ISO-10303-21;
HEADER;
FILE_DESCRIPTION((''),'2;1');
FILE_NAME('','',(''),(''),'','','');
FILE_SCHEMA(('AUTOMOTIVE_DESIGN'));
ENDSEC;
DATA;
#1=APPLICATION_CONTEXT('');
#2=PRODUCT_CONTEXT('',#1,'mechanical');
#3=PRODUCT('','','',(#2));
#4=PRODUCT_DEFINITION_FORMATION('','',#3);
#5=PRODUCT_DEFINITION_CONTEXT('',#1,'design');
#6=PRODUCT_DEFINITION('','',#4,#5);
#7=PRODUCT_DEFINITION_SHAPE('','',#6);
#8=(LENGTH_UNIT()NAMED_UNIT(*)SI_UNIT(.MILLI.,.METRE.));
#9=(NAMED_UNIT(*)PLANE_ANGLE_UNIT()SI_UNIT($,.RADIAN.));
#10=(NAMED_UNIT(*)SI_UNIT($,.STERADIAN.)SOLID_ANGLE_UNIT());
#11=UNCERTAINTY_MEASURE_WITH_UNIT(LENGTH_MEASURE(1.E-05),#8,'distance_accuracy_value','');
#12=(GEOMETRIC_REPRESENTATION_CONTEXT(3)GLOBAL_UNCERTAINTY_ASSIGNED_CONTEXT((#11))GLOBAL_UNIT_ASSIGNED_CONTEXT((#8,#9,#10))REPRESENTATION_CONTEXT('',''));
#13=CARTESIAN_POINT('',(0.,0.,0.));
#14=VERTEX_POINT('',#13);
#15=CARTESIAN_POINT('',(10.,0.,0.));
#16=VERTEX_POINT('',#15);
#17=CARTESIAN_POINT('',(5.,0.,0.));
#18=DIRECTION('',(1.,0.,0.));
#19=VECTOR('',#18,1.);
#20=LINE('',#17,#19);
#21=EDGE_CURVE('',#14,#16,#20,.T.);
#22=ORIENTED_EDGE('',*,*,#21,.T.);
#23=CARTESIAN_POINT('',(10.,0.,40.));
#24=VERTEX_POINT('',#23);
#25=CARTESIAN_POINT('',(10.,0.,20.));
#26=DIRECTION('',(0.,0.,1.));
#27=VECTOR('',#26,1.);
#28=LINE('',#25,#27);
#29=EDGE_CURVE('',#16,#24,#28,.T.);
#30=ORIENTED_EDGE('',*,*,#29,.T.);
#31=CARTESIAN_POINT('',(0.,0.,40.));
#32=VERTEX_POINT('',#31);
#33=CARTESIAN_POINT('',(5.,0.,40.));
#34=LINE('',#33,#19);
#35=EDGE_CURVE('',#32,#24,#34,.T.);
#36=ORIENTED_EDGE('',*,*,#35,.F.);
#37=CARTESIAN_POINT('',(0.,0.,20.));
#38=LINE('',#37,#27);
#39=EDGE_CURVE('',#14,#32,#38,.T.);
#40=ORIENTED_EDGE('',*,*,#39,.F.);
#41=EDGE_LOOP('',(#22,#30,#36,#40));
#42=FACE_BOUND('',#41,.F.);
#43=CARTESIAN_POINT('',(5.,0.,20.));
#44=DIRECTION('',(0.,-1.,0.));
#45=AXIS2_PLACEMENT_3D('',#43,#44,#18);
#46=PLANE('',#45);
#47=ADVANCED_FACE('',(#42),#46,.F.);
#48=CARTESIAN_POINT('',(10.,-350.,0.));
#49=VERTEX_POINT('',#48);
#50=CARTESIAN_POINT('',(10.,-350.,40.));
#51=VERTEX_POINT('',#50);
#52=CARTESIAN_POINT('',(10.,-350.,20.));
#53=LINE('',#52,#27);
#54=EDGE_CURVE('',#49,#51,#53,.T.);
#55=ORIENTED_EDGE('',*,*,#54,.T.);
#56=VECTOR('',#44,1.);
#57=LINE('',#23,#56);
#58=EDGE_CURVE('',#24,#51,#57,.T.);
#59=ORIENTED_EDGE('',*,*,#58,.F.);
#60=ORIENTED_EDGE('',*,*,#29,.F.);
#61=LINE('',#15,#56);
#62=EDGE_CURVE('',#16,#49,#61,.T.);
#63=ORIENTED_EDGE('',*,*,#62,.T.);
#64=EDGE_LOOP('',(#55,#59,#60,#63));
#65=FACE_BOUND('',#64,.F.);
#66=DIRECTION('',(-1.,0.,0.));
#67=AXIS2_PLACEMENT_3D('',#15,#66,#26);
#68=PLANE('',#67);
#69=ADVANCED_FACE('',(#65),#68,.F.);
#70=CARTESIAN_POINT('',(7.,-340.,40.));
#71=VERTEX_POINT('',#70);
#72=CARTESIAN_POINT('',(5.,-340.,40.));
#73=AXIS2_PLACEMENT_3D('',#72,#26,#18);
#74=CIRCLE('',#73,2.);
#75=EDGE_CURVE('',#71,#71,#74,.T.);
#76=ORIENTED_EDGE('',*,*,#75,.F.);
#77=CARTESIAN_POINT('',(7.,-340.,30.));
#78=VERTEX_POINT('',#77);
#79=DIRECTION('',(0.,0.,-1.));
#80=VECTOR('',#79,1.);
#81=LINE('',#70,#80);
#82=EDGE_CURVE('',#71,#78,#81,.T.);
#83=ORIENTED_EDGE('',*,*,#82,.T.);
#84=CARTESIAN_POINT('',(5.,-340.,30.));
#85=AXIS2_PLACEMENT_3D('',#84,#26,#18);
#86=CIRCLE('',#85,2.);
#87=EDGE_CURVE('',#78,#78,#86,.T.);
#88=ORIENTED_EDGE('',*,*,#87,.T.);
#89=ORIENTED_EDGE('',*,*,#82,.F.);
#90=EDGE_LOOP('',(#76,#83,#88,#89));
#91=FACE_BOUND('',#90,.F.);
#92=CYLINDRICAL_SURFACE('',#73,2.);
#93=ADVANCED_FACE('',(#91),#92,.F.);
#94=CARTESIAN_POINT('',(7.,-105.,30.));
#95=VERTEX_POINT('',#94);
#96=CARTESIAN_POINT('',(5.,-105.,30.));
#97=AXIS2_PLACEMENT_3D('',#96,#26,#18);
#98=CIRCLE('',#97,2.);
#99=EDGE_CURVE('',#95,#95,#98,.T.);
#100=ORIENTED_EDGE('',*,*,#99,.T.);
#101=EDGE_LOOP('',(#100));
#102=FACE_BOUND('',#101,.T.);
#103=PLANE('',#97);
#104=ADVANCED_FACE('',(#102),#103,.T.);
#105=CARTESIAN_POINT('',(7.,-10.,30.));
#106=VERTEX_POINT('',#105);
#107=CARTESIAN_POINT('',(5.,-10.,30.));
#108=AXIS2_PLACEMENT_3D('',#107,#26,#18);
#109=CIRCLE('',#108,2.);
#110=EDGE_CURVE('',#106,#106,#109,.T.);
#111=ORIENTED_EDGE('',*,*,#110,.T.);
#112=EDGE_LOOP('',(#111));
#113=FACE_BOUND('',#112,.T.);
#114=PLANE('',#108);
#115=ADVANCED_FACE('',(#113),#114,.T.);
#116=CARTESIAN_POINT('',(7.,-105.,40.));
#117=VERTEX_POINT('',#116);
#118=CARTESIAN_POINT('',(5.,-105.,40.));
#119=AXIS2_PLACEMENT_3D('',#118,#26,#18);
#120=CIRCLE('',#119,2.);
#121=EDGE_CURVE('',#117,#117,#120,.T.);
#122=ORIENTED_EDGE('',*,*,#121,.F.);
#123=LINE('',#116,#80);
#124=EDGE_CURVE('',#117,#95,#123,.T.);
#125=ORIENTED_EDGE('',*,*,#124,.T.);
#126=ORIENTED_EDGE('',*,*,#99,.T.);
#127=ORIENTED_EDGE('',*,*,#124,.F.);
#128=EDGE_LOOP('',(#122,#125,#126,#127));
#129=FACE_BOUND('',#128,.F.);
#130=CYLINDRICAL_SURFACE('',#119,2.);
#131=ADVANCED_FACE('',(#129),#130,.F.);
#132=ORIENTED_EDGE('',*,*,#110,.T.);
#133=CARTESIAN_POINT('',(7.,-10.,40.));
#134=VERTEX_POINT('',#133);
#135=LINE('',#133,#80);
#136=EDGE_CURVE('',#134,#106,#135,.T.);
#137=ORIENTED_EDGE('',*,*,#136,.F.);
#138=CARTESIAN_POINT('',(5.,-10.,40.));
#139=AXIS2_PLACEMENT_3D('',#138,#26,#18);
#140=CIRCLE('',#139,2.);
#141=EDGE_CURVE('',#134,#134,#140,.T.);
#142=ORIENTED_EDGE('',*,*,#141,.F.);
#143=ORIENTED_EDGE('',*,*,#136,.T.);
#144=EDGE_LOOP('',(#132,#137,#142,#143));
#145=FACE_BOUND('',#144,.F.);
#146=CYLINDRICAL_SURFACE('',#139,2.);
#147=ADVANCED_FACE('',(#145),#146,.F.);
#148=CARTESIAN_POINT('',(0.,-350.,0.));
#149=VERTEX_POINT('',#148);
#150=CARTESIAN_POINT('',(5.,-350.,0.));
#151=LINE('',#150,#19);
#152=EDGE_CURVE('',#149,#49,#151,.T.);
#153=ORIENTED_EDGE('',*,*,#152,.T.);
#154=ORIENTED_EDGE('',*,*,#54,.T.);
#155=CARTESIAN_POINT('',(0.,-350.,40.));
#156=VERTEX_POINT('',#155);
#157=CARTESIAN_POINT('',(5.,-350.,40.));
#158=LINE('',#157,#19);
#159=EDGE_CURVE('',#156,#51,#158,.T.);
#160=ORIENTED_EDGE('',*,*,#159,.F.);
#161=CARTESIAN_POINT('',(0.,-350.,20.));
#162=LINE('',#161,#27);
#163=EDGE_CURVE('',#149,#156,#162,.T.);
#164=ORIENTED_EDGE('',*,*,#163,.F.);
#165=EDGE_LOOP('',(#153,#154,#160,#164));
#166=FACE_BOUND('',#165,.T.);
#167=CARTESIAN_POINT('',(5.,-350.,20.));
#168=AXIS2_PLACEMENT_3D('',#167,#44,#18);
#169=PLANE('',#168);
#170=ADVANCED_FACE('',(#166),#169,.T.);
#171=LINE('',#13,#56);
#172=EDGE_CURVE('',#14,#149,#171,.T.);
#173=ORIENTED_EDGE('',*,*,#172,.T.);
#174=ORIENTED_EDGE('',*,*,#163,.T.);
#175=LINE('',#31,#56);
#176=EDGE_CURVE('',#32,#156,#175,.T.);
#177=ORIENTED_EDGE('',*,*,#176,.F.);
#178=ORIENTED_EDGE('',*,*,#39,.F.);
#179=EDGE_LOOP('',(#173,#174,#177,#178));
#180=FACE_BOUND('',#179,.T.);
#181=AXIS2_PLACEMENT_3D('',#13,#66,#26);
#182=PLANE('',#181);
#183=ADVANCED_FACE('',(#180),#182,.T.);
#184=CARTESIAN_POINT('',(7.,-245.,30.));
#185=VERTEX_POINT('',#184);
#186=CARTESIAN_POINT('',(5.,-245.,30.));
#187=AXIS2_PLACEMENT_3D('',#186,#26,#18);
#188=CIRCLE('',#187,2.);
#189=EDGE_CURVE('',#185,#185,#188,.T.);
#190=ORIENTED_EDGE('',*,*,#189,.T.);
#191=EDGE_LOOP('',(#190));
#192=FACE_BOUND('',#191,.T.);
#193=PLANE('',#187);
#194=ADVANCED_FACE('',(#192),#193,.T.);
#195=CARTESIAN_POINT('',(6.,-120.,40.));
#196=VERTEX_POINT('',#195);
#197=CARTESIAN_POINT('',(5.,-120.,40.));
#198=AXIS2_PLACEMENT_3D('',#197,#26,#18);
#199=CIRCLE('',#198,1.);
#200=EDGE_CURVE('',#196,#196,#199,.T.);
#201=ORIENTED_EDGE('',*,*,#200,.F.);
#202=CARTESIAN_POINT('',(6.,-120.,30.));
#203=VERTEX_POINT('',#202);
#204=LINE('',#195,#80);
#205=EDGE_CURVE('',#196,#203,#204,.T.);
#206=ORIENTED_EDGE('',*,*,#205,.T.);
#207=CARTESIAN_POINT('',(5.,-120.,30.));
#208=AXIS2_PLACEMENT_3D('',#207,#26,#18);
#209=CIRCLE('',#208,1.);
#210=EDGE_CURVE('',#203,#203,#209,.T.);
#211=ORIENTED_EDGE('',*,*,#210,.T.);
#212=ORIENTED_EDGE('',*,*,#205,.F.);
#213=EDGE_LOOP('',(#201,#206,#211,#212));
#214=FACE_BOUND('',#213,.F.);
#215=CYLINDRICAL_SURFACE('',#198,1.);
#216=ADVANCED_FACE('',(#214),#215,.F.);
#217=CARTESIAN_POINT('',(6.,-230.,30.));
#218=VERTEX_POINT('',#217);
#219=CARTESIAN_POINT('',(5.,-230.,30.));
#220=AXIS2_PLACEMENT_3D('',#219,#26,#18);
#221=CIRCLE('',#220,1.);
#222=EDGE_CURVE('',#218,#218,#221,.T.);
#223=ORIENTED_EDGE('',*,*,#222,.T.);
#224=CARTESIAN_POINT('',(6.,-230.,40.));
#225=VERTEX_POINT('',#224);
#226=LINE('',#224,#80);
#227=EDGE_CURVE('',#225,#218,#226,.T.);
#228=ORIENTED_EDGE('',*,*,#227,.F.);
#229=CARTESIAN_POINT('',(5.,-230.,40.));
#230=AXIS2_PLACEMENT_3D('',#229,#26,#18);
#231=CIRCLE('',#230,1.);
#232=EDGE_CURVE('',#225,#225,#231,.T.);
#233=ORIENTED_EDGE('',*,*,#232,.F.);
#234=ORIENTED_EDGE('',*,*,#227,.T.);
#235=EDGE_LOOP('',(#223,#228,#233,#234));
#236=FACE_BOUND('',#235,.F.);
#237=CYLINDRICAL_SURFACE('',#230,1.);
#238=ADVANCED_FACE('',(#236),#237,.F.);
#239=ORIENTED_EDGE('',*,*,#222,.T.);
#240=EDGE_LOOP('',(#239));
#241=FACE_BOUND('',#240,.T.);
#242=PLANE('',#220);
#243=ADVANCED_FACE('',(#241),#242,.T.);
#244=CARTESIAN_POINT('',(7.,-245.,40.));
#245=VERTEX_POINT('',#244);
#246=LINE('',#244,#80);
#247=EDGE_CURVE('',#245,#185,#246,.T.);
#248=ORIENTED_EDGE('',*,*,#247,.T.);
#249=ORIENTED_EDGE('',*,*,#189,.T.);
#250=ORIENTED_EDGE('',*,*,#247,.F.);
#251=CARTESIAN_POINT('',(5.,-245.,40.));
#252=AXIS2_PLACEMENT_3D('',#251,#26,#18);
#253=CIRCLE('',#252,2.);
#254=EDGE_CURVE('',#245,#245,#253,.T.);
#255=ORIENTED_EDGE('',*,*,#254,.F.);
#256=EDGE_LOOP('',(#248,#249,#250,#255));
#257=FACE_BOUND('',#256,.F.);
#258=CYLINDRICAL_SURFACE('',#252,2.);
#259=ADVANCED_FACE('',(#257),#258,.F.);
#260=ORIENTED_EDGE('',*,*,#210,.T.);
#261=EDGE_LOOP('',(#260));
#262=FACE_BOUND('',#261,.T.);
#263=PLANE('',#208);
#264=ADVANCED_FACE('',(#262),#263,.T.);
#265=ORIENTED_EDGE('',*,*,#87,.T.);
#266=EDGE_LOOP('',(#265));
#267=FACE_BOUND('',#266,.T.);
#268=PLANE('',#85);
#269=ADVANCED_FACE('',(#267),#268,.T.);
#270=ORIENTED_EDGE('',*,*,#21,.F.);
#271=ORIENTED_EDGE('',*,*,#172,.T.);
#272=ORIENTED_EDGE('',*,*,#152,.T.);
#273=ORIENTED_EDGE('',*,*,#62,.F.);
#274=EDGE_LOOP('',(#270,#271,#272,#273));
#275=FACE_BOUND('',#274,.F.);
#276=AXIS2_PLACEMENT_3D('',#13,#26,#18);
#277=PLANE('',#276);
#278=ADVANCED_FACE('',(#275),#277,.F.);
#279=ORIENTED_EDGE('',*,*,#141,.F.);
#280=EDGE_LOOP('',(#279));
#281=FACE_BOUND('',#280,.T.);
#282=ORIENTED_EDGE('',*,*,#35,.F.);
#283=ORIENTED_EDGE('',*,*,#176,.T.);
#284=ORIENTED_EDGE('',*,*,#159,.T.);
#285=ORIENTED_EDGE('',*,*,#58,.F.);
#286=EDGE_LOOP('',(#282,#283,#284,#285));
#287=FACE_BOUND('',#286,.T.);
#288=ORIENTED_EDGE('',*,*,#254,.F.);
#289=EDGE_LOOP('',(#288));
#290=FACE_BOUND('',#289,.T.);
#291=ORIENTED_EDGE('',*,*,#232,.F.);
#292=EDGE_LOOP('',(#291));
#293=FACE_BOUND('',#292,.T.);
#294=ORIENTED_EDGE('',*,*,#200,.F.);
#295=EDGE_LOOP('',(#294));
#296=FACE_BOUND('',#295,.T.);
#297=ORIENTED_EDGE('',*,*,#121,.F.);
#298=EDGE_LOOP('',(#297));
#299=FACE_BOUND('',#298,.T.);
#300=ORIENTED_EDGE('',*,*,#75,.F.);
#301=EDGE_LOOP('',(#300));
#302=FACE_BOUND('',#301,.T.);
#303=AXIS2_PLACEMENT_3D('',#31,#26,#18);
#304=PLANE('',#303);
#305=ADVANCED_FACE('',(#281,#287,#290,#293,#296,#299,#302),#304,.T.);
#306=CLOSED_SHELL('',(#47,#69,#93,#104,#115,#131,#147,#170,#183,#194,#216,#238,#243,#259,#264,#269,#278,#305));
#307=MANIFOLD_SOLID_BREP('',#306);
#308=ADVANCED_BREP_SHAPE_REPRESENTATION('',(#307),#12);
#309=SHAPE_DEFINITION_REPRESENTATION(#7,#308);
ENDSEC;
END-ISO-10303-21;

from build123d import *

# Parameters (mm, degrees)
F0_W     = 10
F0_H     = 40
F1_DEPTH = 350
F2_R     = 1
F2_R_2   = 2
F3_DEPTH = 10


with BuildPart() as f1:
    # F0 (on Front) → F1 (new body)
    with BuildSketch(Plane.XZ):
        with Locations((5, 20)):
            Rectangle(F0_W, F0_H)
    extrude(amount=F1_DEPTH)

    # F2 (on face) → F3 (cut)
    with BuildSketch(Plane.XY.offset(40)):
        with Locations((5, -120)):
            Circle(F2_R)
        with Locations((5, -230)):
            Circle(F2_R)
        with Locations((5, -340)):
            Circle(F2_R_2)
        with Locations((5, -245)):
            Circle(F2_R_2)
        with Locations((5, -10)):
            Circle(F2_R_2)
        with Locations((5, -105)):
            Circle(F2_R_2)
    extrude(amount=-F3_DEPTH, mode=Mode.SUBTRACT)


solid = f1.part
